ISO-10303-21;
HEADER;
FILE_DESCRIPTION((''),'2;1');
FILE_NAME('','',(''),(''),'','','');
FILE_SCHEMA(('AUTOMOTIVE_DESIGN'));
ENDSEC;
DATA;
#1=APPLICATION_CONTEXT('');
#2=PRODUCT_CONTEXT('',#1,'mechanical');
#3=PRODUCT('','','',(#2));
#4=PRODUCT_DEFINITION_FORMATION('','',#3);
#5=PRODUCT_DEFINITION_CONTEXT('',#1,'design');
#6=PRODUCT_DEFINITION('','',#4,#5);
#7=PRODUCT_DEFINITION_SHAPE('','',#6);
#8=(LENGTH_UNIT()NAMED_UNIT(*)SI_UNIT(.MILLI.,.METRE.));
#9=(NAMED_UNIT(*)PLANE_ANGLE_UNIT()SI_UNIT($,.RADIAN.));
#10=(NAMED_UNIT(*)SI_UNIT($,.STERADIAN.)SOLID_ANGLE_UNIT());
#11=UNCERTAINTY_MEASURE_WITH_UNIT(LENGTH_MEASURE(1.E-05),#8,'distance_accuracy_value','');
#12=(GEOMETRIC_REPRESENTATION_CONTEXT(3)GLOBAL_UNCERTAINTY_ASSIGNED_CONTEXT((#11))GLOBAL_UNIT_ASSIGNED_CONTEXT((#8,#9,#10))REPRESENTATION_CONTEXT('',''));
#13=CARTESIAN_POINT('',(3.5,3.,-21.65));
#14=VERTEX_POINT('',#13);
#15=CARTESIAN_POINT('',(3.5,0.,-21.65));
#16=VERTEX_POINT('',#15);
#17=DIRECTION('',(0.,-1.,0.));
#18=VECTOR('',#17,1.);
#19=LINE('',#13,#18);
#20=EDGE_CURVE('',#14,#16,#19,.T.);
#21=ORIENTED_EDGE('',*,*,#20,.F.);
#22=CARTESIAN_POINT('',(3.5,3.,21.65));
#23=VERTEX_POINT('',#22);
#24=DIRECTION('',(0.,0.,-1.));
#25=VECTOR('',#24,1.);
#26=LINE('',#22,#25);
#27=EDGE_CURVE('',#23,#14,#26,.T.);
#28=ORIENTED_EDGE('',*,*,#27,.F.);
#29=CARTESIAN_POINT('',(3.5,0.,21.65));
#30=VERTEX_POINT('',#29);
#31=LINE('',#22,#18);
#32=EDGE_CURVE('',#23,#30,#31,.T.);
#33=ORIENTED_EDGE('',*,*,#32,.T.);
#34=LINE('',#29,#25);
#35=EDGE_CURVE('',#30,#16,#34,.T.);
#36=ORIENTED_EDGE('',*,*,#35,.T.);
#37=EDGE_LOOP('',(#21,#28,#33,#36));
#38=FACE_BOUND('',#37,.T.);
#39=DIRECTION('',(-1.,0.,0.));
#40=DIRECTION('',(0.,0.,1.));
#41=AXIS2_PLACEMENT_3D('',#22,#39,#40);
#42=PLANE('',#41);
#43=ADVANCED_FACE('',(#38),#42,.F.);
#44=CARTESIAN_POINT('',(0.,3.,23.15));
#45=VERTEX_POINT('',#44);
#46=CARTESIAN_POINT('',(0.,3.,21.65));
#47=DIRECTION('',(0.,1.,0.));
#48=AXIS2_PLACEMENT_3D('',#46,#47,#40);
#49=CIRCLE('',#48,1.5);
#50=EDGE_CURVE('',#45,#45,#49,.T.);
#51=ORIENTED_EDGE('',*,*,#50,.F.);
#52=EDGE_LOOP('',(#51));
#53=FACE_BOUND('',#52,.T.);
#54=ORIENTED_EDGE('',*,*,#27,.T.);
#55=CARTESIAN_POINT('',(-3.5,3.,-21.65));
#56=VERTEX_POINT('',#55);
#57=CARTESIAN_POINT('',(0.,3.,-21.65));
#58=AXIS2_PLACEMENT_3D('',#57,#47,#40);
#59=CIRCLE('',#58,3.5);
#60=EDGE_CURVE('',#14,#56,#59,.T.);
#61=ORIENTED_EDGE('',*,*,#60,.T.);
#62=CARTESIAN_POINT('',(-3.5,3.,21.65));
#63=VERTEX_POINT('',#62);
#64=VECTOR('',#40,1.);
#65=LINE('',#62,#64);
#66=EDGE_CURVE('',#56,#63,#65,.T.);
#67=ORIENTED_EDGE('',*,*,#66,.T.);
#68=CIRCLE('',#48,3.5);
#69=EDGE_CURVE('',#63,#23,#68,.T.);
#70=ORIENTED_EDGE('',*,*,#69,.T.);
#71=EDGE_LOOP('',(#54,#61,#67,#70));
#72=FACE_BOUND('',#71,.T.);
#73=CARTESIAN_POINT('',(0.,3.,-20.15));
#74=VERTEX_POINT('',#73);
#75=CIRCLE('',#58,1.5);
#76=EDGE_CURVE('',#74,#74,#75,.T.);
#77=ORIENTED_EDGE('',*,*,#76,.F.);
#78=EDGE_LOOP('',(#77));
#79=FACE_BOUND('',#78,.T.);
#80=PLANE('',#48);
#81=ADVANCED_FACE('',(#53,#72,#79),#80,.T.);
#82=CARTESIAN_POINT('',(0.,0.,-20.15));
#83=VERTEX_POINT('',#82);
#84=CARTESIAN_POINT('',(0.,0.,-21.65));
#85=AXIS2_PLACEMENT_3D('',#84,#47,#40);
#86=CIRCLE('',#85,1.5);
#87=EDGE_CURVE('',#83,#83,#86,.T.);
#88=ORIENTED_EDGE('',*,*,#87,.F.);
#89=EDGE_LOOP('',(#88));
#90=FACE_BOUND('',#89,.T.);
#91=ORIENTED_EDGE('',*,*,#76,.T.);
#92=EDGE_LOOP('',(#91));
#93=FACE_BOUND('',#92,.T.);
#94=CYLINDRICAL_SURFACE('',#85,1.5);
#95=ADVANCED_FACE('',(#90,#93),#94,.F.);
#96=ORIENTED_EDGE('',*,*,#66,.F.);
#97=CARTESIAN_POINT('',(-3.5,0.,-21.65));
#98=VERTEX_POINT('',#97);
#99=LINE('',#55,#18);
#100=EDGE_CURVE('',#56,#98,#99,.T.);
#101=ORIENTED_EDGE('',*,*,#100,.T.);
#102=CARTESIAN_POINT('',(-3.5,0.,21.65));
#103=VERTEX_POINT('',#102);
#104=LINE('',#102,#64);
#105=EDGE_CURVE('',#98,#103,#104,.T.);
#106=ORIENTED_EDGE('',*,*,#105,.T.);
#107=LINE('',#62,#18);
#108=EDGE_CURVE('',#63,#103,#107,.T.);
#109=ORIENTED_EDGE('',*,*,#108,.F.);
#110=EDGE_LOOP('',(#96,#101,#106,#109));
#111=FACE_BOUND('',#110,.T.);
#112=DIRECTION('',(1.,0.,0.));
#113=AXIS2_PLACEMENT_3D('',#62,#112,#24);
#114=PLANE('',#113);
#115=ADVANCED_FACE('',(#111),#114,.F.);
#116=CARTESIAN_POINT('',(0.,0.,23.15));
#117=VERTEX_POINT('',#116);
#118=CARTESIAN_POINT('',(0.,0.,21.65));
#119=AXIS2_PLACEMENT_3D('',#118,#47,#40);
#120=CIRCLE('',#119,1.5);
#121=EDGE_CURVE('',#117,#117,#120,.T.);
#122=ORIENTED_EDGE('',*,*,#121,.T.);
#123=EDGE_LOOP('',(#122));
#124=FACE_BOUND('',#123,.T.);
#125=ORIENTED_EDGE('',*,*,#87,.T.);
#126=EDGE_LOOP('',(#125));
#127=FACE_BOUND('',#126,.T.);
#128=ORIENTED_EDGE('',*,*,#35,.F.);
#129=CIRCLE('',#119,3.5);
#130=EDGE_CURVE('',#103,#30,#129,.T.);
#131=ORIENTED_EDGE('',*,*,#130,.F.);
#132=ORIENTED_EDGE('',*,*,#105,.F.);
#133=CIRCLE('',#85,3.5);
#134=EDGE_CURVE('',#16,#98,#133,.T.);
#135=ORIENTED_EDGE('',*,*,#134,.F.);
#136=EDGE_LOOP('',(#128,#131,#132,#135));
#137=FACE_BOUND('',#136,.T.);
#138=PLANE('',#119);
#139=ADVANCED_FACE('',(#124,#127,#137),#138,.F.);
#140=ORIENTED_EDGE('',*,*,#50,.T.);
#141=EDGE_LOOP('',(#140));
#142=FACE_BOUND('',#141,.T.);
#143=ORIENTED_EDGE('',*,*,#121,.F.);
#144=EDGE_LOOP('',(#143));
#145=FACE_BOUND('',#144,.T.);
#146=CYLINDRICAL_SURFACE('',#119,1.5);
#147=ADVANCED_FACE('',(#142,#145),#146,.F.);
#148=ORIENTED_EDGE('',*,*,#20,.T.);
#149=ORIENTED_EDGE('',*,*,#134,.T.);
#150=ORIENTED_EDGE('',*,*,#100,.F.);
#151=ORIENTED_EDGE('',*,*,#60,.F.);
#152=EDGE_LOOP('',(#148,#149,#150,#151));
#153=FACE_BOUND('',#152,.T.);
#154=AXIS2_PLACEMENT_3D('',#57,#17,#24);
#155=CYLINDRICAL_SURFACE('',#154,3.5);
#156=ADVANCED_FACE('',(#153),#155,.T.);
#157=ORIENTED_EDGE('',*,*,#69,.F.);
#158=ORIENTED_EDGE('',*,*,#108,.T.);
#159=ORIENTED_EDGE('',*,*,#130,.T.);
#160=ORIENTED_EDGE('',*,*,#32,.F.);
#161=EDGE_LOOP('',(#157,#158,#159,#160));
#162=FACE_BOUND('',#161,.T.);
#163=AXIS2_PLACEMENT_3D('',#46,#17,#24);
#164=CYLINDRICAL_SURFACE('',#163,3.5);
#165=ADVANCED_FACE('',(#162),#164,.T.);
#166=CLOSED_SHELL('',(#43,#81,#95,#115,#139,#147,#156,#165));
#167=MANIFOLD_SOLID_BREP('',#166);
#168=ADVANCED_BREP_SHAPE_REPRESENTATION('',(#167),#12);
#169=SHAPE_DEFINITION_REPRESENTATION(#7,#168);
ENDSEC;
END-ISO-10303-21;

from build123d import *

# Parameters (mm, degrees)
EXTRUDE_1_DEPTH     = 3
SKETCH_2_R          = 1.5
CUT_EXTRUDE_1_DEPTH = 3


with BuildPart() as part:
    # 草图1 → 凸台-拉伸1 (new body)
    with BuildSketch(Plane(origin=(0, 0, 0), x_dir=(1, 0, 0), z_dir=(0, 1, 0))):
        with BuildLine():
            Line((-3.5, -21.65), (-3.5, 21.65))
            ThreePointArc((-3.5, 21.65), (0, 25.15), (3.5, 21.65))
            Line((3.5, 21.65), (3.5, -21.65))
            ThreePointArc((3.5, -21.65), (0, -25.15), (-3.5, -21.65))
        make_face()
    extrude(amount=EXTRUDE_1_DEPTH)

    # 草图2 → 切除-拉伸1 (cut)
    with BuildSketch(Plane(origin=(0, 3, 0), x_dir=(1, 0, 0), z_dir=(0, 1, 0))):
        with Locations(Location((0, 21.65, 0), (0, 0, 270))):
            Circle(SKETCH_2_R)
        with Locations(Location((0, -21.65, 0), (0, 0, 270))):
            Circle(SKETCH_2_R)
    extrude(amount=-CUT_EXTRUDE_1_DEPTH, mode=Mode.SUBTRACT)


solid = part.part
